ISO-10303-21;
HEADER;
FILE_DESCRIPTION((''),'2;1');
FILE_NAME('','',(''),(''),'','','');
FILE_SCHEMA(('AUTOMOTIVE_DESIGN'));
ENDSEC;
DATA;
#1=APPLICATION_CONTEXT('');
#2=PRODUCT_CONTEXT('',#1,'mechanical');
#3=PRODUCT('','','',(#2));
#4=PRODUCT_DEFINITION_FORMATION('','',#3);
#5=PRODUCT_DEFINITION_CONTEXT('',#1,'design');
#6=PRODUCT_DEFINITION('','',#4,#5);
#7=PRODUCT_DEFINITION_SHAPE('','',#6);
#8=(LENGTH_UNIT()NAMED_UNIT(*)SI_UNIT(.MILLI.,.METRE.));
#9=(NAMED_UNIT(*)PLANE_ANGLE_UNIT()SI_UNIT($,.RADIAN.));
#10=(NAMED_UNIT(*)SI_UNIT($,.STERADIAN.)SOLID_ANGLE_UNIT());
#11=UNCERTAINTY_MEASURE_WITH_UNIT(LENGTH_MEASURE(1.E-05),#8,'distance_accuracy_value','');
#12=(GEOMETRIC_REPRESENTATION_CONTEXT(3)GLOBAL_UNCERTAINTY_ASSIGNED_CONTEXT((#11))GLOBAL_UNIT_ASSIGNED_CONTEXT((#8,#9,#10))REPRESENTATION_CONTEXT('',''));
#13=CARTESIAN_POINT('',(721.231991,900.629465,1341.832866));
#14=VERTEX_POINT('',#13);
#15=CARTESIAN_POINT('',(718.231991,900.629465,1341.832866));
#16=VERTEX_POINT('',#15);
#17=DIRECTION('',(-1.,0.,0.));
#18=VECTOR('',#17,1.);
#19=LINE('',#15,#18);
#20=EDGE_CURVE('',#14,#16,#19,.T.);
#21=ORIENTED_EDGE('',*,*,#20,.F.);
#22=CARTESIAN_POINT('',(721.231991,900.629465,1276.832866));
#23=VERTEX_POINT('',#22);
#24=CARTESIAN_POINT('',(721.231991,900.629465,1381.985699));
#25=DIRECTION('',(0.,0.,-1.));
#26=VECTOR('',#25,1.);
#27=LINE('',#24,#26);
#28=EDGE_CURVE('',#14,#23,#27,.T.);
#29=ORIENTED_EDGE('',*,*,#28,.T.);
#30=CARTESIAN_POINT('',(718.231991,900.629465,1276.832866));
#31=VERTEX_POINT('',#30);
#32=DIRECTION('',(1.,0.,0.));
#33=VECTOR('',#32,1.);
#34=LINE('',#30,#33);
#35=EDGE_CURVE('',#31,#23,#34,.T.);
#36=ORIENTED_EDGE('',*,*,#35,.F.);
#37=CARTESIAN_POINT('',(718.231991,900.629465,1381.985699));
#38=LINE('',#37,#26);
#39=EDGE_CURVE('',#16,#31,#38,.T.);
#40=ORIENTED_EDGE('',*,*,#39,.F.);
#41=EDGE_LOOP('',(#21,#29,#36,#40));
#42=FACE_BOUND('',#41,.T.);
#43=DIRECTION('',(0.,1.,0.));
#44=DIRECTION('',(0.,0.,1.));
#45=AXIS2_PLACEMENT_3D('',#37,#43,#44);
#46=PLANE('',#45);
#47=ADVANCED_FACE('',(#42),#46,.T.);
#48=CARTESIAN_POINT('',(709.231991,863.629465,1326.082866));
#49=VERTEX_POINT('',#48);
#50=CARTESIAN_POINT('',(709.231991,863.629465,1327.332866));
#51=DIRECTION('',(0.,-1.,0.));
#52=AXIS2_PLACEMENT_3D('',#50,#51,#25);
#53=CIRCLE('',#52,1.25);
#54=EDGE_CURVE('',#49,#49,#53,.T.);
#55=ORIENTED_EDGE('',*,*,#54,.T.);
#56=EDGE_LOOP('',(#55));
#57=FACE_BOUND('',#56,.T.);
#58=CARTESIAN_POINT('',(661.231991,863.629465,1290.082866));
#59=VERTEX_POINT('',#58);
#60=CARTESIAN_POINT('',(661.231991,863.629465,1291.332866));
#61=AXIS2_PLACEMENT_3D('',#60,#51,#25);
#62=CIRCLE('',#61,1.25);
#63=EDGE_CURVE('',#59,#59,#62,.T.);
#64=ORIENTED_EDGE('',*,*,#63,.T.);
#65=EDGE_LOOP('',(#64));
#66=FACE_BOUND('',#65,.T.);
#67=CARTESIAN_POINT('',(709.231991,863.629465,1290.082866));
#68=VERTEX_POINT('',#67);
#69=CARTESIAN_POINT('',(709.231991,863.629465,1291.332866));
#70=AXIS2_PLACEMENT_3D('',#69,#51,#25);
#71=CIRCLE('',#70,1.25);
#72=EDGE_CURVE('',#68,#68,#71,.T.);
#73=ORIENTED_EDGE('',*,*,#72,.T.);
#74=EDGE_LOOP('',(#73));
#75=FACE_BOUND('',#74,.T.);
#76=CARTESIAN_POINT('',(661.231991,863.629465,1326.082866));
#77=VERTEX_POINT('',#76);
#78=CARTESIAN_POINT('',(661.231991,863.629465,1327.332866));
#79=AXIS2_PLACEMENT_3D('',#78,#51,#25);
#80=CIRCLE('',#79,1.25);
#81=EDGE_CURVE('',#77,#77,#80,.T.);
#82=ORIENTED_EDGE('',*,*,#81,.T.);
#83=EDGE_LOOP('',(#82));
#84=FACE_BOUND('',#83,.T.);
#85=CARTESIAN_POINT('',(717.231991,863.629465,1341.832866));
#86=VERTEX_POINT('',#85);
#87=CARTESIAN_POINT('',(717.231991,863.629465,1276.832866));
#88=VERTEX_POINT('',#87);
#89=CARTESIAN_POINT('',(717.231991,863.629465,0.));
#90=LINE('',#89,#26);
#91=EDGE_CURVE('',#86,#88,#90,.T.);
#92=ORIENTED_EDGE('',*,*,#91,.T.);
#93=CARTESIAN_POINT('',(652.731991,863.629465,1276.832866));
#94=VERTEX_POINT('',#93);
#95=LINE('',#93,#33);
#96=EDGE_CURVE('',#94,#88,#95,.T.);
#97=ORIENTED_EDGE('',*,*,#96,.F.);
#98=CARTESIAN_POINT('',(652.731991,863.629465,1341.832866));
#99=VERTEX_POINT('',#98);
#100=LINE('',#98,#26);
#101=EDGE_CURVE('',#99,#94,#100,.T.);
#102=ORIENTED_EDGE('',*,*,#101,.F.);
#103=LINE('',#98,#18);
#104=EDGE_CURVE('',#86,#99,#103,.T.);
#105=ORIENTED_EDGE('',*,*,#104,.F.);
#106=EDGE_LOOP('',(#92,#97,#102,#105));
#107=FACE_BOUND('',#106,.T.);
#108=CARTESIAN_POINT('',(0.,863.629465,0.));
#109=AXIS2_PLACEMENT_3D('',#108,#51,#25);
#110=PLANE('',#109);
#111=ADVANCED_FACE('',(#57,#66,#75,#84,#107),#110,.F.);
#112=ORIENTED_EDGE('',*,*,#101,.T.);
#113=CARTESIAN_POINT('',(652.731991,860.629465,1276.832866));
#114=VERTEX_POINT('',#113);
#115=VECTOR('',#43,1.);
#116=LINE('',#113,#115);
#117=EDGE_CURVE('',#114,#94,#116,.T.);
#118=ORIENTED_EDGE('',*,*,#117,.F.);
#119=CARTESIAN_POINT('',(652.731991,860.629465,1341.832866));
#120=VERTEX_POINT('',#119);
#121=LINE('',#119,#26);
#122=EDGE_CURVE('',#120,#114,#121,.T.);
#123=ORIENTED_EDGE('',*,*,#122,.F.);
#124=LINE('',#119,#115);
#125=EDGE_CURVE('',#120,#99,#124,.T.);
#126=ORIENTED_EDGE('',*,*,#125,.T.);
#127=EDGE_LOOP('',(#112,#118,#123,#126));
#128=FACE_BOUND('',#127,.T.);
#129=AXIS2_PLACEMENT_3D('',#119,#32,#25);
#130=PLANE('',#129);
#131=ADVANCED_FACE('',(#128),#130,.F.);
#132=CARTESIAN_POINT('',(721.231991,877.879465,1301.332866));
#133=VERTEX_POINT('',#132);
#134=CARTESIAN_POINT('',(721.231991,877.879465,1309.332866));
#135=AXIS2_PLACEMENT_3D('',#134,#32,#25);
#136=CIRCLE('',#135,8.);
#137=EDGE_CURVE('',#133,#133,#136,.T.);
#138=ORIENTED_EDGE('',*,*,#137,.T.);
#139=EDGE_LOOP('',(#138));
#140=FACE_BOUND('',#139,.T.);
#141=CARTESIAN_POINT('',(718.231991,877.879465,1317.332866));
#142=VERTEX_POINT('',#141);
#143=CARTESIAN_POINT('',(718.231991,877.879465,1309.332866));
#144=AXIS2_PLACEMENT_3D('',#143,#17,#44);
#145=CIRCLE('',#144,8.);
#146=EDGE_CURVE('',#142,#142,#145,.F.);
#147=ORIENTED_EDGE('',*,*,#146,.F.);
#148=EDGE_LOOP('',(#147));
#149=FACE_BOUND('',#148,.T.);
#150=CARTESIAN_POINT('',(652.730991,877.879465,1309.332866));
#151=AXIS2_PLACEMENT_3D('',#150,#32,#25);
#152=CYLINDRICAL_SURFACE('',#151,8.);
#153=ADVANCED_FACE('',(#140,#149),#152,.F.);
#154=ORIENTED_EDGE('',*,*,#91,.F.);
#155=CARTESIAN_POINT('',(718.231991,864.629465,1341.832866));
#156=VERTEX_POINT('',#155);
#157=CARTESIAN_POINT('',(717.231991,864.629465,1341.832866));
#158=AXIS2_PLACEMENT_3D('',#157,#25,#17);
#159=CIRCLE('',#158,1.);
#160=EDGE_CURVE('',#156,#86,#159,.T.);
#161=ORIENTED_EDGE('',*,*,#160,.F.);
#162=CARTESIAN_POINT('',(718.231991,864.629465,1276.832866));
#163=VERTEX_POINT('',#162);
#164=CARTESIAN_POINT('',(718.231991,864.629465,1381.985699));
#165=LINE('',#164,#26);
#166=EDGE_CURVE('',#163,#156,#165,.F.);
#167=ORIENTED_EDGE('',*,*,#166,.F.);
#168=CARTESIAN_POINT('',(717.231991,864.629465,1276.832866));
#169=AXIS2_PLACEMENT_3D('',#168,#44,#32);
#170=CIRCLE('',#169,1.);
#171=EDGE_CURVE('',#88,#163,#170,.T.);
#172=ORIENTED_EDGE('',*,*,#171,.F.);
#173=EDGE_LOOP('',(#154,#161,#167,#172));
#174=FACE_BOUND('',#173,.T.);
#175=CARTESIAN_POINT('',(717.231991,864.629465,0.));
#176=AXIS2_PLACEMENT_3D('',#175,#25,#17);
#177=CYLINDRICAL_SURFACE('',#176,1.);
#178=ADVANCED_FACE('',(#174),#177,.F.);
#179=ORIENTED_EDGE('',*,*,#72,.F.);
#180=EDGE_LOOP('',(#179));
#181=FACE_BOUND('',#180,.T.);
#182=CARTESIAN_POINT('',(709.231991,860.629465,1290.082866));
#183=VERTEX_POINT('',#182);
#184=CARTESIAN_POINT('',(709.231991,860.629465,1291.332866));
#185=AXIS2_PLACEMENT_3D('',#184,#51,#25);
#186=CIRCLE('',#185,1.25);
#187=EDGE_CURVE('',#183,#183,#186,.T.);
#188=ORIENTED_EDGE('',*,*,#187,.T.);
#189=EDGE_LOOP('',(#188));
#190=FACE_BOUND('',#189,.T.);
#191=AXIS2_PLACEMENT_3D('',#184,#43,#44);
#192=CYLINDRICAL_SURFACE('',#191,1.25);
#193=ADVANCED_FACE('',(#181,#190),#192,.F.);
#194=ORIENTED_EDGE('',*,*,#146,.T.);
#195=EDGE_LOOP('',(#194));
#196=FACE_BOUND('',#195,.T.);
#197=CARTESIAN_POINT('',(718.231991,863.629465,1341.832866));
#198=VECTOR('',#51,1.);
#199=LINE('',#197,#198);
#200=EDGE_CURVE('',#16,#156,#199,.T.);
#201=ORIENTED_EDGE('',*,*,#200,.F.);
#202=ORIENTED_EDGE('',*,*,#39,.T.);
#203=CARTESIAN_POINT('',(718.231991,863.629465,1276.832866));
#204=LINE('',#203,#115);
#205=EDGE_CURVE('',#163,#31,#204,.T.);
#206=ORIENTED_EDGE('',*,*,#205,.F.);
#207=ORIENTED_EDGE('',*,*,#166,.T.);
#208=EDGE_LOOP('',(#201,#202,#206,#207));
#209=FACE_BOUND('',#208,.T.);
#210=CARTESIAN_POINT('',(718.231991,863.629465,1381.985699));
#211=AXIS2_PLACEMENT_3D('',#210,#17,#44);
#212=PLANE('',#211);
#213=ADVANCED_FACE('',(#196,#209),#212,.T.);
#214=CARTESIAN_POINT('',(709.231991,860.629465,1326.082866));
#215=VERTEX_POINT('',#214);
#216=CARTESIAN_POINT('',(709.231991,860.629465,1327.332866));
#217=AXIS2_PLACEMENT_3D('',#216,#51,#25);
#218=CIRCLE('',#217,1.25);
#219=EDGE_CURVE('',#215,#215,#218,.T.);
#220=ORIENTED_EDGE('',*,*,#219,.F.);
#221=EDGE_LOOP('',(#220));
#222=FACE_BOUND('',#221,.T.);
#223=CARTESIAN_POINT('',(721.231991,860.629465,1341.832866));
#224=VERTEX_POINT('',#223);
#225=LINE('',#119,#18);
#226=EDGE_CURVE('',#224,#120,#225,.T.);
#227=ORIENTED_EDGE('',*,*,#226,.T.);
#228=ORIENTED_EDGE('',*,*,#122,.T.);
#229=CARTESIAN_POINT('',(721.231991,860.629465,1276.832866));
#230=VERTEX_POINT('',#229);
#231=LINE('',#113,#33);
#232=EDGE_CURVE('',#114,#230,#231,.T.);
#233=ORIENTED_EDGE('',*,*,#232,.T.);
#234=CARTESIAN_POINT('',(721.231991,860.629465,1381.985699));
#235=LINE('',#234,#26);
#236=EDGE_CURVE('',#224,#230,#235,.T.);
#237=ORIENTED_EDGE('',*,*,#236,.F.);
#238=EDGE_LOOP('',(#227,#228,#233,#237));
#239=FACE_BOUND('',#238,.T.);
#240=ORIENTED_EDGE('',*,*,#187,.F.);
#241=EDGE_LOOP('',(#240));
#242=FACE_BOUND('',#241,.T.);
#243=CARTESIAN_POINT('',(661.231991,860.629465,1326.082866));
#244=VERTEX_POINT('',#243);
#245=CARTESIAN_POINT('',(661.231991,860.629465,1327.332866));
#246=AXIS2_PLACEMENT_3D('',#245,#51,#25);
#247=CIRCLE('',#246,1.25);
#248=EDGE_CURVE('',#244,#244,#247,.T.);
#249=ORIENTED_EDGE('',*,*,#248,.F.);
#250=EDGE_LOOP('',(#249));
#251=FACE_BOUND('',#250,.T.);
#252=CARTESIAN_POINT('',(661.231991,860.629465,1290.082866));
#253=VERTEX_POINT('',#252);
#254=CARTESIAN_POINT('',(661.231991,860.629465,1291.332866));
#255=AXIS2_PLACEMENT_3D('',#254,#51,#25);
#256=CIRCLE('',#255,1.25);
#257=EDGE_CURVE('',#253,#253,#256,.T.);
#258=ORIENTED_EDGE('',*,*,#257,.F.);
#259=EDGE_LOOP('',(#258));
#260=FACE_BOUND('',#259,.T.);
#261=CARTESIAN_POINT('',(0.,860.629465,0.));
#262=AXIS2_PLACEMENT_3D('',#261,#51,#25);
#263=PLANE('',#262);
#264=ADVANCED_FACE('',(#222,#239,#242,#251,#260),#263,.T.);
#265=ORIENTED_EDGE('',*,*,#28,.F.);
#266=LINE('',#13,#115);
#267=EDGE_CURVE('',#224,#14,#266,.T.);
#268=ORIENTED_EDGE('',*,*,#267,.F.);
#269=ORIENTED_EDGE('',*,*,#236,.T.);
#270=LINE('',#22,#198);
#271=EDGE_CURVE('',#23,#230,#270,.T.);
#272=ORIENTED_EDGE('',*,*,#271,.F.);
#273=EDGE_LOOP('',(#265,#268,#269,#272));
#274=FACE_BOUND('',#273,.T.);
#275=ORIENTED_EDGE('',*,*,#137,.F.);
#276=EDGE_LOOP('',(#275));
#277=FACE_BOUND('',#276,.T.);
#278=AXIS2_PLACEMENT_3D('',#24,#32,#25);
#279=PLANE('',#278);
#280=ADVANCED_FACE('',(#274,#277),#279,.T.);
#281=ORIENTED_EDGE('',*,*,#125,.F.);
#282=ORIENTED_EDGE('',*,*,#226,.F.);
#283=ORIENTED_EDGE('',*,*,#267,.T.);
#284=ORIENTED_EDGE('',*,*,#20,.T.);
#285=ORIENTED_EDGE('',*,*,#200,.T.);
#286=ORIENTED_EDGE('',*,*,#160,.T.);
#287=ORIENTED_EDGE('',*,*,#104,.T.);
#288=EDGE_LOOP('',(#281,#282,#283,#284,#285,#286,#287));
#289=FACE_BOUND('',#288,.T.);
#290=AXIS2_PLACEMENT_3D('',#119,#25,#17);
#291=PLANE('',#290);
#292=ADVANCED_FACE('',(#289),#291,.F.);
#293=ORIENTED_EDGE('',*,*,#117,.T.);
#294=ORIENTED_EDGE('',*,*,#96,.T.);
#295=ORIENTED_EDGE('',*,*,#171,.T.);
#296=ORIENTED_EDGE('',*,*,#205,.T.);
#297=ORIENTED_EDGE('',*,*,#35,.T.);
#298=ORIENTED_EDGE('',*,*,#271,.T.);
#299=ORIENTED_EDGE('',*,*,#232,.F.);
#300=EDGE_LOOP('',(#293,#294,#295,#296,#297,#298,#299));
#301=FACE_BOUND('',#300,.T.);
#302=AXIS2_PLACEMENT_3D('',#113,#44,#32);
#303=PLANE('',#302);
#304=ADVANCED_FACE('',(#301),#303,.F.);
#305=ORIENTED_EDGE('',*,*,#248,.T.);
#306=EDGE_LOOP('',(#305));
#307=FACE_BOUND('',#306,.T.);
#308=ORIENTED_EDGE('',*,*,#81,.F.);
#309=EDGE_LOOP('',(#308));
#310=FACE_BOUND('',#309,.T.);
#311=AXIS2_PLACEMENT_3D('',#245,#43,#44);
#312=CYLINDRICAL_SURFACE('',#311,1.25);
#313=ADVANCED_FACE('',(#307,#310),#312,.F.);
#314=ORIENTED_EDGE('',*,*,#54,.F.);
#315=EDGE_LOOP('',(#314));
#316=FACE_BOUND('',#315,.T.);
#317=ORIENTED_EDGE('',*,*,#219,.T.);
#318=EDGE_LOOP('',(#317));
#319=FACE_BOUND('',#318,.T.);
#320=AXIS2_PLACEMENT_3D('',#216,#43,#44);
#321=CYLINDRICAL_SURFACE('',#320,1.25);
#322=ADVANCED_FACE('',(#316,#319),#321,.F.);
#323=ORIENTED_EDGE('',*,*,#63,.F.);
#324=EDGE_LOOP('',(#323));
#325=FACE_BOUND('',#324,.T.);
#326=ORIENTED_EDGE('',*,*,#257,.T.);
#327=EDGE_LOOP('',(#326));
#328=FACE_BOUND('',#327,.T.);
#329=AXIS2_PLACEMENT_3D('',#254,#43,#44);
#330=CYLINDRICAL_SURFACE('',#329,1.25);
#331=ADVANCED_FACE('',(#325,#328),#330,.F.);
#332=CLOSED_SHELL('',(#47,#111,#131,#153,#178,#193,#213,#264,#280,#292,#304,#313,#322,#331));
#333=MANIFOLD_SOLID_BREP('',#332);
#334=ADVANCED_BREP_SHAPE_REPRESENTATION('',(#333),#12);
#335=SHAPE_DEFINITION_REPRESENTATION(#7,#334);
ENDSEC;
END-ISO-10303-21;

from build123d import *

# Parameters (mm, degrees)
SKETCH3_W           = 65
SKETCH3_H           = 65
BOSS_EXTRUDE2_DEPTH = 3
BOSS_EXTRUDE3_DEPTH = 65
CUT_EXTRUDE1_REACH  = 1619.511
SKETCH6_R           = 8
FILLET1_R           = 1


with BuildPart() as part:
    # Sketch3 → Boss-Extrude2 (new body)
    with BuildSketch(Plane.XZ.offset(-863.629465365)):
        with Locations((685.231990878, 1309.332866284)):
            Rectangle(SKETCH3_W, SKETCH3_H)
        with BuildLine():
            ThreePointArc((659.981990878, 1327.332866288), (660.3481074, 1326.448982809), (661.231990878, 1326.082866284))
            ThreePointArc((661.231990878, 1326.082866284), (662.115874352, 1326.448982806), (662.481990878, 1327.332866278))
            ThreePointArc((662.481990878, 1327.332866278), (662.115874357, 1328.216749759), (661.231990878, 1328.582866284))
            ThreePointArc((661.231990878, 1328.582866284), (660.348107403, 1328.216749762), (659.981990878, 1327.332866288))
        make_face(mode=Mode.SUBTRACT)
        with BuildLine():
            ThreePointArc((659.981990878, 1291.332866288), (660.3481074, 1290.448982809), (661.231990878, 1290.082866284))
            ThreePointArc((661.231990878, 1290.082866284), (662.115874352, 1290.448982806), (662.481990878, 1291.332866278))
            ThreePointArc((662.481990878, 1291.332866278), (662.115874357, 1292.216749759), (661.231990878, 1292.582866284))
            ThreePointArc((661.231990878, 1292.582866284), (660.348107403, 1292.216749762), (659.981990878, 1291.332866288))
        make_face(mode=Mode.SUBTRACT)
        with BuildLine():
            ThreePointArc((707.981990878, 1291.332866288), (708.3481074, 1290.448982809), (709.231990878, 1290.082866284))
            ThreePointArc((709.231990878, 1290.082866284), (710.115874352, 1290.448982806), (710.481990878, 1291.332866278))
            ThreePointArc((710.481990878, 1291.332866278), (710.115874357, 1292.216749759), (709.231990878, 1292.582866284))
            ThreePointArc((709.231990878, 1292.582866284), (708.348107403, 1292.216749762), (707.981990878, 1291.332866288))
        make_face(mode=Mode.SUBTRACT)
        with BuildLine():
            ThreePointArc((707.981990878, 1327.332866284), (708.348107402, 1326.448982808), (709.231990878, 1326.082866284))
            ThreePointArc((709.231990878, 1326.082866284), (710.115874352, 1326.448982805), (710.481990878, 1327.332866277))
            ThreePointArc((710.481990878, 1327.332866277), (710.115874357, 1328.216749758), (709.231990878, 1328.582866284))
            ThreePointArc((709.231990878, 1328.582866284), (708.348107402, 1328.216749761), (707.981990878, 1327.332866284))
        make_face(mode=Mode.SUBTRACT)
    extrude(amount=BOSS_EXTRUDE2_DEPTH)

    # Sketch4 → Boss-Extrude3 (add)
    with BuildSketch(Plane(origin=(0, 0, 1276.832866284), x_dir=(-1, 0, 0), z_dir=(0, 0, -1))):
        Polygon((-717.731990878, 860.629465365), (-717.731990878, 863.629465365), (-718.231990878, 863.629465365), (-718.231990878, 900.629465365), (-721.231990878, 900.629465365), (-721.231990878, 860.629465365), align=None)
    extrude(amount=-BOSS_EXTRUDE3_DEPTH)

    # Sketch6 → Cut-Extrude1 (cut, up to next)
    with BuildSketch(Plane(origin=(721.231990878, 0, 0), x_dir=(0, 0, -1), z_dir=(1, 0, 0)), mode=Mode.PRIVATE) as cut_extrude1_sk1:
        with Locations((-1309.332866284, 877.879465365)):
            Circle(SKETCH6_R)
    cut_extrude1_tool1 = extrude(cut_extrude1_sk1.sketch, amount=-CUT_EXTRUDE1_REACH, mode=Mode.PRIVATE) & part.part
    add(cut_extrude1_tool1.solids().sort_by_distance((721.231991, 877.879465, 1309.332866))[0], mode=Mode.SUBTRACT)

    # Fillet1
    fillet1_edges = [part.edges().sort_by_distance(p)[0] for p in [
        (718.231990878, 863.629465365, 1309.332866284),
    ]]
    fillet(fillet1_edges, radius=FILLET1_R)


solid = part.part
